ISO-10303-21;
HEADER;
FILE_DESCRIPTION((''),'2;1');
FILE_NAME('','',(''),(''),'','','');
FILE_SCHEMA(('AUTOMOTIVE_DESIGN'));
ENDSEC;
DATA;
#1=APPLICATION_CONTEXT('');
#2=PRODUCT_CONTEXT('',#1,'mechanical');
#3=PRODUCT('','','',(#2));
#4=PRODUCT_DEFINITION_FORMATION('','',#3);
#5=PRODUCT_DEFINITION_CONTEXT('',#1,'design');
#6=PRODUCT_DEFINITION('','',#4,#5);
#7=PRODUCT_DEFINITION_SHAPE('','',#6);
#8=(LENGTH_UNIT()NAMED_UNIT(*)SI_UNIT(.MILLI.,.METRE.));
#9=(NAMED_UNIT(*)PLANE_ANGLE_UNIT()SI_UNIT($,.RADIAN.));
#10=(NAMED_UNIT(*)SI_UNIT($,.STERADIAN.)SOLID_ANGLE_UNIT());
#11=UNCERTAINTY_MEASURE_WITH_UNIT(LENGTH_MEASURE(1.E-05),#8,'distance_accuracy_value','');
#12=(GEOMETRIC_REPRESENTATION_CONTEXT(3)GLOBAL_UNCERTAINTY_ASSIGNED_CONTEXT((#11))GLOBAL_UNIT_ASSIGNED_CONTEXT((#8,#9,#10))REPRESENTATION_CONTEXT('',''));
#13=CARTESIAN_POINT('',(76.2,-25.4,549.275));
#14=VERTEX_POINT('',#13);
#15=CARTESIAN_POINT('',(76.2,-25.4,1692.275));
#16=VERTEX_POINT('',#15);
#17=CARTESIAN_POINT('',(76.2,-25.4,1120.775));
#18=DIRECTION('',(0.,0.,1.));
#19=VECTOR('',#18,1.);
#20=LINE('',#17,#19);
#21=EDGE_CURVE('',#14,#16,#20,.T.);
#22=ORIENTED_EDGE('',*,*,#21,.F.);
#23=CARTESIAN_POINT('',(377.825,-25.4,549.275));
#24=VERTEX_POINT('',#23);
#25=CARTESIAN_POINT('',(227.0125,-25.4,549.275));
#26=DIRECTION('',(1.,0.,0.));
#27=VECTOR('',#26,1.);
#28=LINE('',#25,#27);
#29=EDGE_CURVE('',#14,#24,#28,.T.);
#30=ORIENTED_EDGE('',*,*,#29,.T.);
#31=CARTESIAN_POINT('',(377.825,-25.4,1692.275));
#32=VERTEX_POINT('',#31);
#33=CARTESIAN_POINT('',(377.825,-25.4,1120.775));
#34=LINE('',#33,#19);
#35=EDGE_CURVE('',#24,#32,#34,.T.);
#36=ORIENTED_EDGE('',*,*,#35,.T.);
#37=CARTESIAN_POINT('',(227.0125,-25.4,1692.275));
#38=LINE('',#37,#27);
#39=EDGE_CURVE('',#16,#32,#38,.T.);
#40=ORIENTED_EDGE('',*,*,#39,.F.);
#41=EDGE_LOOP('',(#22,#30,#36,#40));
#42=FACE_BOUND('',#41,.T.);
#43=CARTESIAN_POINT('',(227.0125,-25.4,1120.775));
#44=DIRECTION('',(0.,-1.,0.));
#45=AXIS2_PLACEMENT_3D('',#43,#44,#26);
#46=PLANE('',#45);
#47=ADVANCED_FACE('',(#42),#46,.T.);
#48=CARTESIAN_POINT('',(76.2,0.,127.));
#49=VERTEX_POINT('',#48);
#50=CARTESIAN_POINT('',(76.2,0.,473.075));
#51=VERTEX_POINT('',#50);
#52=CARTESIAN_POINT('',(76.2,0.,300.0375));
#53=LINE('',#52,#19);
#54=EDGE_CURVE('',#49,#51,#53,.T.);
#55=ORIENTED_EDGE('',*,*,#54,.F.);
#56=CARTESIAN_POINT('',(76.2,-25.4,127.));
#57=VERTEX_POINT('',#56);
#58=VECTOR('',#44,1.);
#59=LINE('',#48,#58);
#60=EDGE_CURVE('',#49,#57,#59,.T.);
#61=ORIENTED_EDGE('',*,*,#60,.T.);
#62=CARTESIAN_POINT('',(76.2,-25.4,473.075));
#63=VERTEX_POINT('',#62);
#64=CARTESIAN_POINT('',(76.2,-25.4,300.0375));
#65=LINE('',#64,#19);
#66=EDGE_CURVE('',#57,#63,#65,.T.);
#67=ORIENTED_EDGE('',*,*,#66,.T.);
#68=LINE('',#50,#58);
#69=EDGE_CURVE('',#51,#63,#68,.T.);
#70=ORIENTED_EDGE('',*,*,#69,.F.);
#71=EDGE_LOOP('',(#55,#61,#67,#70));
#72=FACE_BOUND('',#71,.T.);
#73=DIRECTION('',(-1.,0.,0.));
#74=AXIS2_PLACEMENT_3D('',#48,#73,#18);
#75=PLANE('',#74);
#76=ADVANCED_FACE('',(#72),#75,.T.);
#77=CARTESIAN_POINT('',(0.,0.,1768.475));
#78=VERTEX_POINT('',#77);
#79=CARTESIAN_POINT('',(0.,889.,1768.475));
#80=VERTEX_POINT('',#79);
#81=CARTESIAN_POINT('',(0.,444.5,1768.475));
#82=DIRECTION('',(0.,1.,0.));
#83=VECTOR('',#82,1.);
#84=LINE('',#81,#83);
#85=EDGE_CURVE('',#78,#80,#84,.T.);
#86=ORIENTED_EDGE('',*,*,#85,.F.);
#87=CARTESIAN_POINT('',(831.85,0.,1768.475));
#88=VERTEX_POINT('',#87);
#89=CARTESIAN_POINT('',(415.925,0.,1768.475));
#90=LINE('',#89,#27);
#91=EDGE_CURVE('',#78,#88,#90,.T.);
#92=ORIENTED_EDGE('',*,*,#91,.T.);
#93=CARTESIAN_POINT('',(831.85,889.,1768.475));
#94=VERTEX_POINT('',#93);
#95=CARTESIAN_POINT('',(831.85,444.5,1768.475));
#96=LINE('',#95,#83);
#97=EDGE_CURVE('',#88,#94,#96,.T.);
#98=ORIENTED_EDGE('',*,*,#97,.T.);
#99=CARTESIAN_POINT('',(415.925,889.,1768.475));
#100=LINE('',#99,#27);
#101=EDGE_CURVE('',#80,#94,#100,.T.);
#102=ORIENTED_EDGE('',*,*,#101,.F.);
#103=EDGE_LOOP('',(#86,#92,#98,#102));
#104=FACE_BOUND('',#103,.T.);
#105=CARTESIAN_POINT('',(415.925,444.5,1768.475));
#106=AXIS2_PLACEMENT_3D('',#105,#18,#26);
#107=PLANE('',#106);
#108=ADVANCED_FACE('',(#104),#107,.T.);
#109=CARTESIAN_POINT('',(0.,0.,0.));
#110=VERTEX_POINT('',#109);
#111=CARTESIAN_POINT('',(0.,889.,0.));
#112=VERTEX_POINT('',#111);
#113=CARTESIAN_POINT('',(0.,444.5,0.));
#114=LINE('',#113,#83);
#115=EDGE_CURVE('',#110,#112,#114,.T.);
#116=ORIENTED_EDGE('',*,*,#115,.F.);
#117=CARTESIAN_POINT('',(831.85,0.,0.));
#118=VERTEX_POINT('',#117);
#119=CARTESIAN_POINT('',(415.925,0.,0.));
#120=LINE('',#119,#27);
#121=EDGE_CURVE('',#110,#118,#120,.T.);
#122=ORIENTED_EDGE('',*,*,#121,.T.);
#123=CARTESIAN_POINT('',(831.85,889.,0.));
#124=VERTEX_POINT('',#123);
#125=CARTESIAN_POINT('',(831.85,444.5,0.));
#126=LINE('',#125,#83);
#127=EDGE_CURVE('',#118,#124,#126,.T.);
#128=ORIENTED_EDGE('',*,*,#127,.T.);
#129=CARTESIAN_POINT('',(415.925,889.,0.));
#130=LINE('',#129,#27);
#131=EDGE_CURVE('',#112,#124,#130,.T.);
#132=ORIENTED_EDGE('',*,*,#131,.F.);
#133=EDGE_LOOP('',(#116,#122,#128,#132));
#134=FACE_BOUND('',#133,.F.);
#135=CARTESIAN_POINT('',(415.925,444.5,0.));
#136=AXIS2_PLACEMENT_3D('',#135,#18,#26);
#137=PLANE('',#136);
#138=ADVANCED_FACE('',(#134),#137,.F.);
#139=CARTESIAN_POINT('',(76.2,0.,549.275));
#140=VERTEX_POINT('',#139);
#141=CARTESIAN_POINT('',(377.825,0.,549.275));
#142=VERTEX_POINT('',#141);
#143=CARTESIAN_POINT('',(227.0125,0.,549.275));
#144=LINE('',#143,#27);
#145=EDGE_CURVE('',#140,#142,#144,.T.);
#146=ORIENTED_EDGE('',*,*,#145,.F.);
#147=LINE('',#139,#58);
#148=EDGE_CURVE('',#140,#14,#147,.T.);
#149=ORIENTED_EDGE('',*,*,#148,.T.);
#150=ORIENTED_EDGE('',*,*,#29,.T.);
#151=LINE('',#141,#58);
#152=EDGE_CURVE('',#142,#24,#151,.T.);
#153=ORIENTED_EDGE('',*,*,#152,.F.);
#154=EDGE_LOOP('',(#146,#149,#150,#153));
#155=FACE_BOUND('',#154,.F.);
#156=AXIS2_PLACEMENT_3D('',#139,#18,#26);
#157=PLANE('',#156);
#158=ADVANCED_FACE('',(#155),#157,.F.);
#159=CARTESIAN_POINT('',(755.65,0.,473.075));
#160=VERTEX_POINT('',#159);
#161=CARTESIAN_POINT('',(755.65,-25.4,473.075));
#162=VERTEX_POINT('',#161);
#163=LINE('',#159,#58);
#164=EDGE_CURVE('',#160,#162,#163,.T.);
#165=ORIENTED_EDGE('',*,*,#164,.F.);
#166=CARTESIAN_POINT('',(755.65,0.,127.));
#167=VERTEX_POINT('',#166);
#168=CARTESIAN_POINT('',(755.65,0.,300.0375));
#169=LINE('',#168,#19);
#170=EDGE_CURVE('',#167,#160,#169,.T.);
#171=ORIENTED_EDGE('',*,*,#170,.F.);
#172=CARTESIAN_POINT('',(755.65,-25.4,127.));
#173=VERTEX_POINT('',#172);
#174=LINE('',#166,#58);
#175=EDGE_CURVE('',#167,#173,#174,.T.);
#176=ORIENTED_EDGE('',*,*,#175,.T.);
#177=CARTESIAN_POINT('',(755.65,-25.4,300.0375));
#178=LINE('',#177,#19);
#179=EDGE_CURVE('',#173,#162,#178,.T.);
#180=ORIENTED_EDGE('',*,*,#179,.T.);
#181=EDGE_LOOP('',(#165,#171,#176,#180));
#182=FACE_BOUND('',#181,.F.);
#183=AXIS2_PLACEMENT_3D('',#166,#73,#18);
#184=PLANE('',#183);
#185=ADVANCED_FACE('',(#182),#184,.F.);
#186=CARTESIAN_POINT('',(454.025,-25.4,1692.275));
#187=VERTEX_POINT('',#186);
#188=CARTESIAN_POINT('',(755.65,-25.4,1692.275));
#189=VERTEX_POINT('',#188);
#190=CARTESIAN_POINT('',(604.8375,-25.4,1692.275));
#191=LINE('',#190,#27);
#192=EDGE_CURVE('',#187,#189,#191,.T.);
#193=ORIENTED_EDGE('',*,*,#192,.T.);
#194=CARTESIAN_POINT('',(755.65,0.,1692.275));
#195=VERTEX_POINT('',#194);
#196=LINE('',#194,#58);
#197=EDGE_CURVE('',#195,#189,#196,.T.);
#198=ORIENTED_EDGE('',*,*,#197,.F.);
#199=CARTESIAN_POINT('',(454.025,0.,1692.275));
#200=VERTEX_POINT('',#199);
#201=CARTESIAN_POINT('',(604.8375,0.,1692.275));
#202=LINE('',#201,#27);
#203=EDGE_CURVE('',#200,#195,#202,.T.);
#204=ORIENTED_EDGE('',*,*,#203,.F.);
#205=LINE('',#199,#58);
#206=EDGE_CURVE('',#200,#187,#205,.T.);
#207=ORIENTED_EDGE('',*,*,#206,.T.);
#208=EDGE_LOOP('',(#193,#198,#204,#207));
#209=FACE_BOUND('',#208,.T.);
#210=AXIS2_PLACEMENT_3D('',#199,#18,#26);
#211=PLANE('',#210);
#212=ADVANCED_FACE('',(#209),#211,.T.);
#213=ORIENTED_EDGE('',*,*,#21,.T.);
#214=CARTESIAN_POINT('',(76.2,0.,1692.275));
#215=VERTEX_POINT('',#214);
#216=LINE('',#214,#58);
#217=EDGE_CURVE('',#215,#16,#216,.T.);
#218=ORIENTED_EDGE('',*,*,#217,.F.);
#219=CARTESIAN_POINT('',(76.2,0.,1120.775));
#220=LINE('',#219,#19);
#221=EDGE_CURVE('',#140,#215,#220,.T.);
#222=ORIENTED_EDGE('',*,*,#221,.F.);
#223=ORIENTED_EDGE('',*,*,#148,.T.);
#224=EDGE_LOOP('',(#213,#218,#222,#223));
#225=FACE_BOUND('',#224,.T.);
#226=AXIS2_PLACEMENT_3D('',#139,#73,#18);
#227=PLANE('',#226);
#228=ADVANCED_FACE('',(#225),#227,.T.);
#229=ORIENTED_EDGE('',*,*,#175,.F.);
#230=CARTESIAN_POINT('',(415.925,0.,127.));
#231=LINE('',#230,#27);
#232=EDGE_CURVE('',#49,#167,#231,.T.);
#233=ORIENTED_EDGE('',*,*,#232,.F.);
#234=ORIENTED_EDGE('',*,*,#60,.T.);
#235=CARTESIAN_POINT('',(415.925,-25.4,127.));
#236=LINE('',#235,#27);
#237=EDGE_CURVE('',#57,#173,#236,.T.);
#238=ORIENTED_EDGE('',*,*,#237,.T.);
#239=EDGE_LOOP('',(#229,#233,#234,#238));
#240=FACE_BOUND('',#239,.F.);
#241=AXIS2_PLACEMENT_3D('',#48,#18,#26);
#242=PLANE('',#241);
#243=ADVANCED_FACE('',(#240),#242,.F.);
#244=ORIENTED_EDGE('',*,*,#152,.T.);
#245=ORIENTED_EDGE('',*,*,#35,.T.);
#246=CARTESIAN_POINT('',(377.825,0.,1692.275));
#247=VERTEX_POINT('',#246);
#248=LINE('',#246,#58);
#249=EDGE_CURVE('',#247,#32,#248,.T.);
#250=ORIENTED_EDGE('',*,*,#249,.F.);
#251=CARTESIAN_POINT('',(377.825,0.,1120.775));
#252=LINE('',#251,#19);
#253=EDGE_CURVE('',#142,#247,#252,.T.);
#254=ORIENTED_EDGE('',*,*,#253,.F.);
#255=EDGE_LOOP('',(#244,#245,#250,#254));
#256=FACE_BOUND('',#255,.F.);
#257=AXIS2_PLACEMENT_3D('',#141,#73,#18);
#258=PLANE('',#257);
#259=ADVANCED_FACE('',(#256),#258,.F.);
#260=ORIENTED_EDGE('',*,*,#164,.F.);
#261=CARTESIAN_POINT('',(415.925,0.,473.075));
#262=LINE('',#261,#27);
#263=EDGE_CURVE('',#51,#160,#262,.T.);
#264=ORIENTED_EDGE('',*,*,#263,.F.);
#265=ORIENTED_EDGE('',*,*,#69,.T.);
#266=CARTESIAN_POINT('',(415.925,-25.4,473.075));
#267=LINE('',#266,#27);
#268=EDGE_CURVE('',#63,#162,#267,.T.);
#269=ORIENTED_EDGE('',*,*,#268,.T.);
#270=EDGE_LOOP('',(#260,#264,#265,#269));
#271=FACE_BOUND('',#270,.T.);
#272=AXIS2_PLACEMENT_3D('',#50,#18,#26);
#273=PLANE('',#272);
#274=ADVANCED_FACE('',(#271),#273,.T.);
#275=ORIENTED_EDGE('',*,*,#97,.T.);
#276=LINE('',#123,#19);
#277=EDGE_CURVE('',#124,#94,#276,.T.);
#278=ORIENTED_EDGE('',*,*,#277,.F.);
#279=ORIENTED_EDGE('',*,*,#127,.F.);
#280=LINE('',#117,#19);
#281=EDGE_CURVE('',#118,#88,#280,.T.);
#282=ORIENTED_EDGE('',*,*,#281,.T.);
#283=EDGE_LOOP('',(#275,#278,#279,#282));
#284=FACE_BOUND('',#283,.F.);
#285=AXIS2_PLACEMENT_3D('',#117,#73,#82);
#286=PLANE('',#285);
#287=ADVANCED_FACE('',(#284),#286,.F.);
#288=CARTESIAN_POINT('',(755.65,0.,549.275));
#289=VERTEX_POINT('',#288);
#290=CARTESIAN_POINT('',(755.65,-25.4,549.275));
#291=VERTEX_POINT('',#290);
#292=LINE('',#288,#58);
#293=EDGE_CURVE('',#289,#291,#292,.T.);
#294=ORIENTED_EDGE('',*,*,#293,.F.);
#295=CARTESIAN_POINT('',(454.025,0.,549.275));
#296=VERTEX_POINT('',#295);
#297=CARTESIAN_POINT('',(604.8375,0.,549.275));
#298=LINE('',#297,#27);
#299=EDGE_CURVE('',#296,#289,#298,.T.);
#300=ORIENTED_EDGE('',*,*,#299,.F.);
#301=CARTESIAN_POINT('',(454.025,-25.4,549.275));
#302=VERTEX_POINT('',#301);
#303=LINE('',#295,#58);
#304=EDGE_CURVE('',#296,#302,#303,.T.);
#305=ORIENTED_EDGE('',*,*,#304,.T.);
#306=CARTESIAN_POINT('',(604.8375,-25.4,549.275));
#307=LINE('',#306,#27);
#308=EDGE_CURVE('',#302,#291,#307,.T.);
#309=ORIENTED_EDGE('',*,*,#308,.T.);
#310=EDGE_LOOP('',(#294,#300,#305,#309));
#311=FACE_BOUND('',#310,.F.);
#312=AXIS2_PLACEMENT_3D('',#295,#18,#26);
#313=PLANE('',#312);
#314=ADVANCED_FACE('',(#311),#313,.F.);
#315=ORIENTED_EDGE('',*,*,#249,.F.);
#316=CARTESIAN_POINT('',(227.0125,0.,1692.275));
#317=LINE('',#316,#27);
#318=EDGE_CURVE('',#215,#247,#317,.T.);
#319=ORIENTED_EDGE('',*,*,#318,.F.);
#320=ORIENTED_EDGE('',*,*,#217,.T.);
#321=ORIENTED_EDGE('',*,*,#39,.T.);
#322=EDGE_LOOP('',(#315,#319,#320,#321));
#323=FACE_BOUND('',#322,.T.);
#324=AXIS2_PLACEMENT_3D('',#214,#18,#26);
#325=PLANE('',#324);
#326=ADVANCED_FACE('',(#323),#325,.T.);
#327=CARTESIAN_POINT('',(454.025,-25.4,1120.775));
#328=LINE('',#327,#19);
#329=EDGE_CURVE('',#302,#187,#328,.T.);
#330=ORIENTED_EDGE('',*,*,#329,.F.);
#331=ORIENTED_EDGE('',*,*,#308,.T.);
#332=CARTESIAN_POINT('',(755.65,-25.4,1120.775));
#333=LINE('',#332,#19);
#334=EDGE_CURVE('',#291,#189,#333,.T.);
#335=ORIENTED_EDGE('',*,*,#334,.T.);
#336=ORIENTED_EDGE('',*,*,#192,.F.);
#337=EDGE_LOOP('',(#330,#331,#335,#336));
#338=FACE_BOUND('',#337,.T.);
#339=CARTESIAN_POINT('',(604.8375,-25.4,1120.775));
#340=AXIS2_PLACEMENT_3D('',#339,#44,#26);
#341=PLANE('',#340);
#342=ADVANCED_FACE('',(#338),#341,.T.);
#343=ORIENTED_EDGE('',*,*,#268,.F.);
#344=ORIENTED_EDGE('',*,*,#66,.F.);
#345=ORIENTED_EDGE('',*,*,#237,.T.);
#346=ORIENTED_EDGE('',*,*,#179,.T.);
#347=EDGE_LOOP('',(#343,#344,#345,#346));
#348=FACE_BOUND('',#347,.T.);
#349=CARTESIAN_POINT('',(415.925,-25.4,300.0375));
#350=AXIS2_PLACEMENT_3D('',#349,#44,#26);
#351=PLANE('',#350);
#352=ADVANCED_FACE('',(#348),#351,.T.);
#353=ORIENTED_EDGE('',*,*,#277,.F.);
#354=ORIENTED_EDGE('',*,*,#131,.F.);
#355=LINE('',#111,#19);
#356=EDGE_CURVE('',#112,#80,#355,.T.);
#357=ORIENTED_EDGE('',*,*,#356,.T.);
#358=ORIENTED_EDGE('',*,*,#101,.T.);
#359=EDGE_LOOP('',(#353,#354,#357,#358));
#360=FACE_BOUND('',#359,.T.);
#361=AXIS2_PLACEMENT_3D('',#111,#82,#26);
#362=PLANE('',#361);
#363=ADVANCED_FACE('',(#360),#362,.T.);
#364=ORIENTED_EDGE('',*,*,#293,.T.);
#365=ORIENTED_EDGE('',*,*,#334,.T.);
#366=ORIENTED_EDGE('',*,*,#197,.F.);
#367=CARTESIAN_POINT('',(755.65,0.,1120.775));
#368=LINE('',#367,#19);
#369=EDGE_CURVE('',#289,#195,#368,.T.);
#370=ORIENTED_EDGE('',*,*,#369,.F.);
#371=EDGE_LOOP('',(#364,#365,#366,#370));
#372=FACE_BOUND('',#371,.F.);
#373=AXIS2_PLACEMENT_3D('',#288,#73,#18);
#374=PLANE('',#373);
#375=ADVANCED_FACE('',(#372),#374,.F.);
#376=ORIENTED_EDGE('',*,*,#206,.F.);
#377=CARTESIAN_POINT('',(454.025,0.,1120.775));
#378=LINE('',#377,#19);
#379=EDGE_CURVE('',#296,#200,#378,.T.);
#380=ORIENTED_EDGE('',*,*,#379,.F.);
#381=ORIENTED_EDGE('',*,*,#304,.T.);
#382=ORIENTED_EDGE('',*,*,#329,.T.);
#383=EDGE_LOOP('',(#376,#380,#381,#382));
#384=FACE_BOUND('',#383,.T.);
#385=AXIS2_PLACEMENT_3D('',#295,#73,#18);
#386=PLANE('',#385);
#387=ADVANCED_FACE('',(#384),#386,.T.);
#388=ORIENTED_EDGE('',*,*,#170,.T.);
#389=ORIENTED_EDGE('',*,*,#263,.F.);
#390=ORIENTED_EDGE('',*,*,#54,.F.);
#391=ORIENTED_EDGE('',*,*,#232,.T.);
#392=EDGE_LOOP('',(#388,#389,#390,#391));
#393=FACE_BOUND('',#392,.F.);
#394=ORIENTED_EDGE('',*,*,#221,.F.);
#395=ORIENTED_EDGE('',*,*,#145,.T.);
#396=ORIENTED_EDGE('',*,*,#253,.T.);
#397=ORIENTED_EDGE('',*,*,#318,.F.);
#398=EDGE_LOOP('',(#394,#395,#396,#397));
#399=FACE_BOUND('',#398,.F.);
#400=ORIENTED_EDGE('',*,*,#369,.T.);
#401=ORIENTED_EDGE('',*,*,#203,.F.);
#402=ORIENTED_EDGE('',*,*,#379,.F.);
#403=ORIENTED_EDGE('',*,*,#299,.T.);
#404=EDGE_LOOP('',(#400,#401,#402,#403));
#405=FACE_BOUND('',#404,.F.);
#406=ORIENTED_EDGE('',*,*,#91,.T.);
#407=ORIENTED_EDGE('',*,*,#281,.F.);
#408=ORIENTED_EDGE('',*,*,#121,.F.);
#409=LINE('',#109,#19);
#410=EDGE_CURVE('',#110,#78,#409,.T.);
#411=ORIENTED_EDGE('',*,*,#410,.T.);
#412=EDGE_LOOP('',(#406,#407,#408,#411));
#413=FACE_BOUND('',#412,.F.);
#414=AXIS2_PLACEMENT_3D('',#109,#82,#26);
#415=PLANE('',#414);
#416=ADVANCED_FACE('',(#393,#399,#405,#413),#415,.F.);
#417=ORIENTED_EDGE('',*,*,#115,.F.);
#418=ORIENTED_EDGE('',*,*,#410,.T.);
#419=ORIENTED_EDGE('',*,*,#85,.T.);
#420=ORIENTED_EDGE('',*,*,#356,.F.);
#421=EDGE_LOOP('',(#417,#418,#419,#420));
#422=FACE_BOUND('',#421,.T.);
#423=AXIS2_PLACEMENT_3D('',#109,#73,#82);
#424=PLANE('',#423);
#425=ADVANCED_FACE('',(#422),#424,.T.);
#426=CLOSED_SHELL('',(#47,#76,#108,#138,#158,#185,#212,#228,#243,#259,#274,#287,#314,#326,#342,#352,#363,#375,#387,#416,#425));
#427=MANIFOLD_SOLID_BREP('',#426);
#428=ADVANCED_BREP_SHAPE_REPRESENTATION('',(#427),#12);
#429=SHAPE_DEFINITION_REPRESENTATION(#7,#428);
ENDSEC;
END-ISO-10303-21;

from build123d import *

# Parameters (mm, degrees)
F0_W     = 831.85
F0_H     = 889
F1_DEPTH = 1768.475
F2_W     = 301.625
F2_H     = 1143
F2_W_2   = 679.45
F2_H_2   = 346.075
F3_DEPTH = 25.4


with BuildPart() as f1:
    # F0 (on Top) → F1 (new body)
    with BuildSketch(Plane.XY):
        with Locations((415.925, 444.5)):
            Rectangle(F0_W, F0_H)
    extrude(amount=F1_DEPTH)

    # F2 (on face) → F3 (join)
    with BuildSketch(Plane.XZ):
        with Locations((227.0125, 1120.775)):
            Rectangle(F2_W, F2_H)
        with Locations((604.8375, 1120.775)):
            Rectangle(F2_W, F2_H)
        with Locations((415.925, 300.0375)):
            Rectangle(F2_W_2, F2_H_2)
    extrude(amount=F3_DEPTH)


solid = f1.part
